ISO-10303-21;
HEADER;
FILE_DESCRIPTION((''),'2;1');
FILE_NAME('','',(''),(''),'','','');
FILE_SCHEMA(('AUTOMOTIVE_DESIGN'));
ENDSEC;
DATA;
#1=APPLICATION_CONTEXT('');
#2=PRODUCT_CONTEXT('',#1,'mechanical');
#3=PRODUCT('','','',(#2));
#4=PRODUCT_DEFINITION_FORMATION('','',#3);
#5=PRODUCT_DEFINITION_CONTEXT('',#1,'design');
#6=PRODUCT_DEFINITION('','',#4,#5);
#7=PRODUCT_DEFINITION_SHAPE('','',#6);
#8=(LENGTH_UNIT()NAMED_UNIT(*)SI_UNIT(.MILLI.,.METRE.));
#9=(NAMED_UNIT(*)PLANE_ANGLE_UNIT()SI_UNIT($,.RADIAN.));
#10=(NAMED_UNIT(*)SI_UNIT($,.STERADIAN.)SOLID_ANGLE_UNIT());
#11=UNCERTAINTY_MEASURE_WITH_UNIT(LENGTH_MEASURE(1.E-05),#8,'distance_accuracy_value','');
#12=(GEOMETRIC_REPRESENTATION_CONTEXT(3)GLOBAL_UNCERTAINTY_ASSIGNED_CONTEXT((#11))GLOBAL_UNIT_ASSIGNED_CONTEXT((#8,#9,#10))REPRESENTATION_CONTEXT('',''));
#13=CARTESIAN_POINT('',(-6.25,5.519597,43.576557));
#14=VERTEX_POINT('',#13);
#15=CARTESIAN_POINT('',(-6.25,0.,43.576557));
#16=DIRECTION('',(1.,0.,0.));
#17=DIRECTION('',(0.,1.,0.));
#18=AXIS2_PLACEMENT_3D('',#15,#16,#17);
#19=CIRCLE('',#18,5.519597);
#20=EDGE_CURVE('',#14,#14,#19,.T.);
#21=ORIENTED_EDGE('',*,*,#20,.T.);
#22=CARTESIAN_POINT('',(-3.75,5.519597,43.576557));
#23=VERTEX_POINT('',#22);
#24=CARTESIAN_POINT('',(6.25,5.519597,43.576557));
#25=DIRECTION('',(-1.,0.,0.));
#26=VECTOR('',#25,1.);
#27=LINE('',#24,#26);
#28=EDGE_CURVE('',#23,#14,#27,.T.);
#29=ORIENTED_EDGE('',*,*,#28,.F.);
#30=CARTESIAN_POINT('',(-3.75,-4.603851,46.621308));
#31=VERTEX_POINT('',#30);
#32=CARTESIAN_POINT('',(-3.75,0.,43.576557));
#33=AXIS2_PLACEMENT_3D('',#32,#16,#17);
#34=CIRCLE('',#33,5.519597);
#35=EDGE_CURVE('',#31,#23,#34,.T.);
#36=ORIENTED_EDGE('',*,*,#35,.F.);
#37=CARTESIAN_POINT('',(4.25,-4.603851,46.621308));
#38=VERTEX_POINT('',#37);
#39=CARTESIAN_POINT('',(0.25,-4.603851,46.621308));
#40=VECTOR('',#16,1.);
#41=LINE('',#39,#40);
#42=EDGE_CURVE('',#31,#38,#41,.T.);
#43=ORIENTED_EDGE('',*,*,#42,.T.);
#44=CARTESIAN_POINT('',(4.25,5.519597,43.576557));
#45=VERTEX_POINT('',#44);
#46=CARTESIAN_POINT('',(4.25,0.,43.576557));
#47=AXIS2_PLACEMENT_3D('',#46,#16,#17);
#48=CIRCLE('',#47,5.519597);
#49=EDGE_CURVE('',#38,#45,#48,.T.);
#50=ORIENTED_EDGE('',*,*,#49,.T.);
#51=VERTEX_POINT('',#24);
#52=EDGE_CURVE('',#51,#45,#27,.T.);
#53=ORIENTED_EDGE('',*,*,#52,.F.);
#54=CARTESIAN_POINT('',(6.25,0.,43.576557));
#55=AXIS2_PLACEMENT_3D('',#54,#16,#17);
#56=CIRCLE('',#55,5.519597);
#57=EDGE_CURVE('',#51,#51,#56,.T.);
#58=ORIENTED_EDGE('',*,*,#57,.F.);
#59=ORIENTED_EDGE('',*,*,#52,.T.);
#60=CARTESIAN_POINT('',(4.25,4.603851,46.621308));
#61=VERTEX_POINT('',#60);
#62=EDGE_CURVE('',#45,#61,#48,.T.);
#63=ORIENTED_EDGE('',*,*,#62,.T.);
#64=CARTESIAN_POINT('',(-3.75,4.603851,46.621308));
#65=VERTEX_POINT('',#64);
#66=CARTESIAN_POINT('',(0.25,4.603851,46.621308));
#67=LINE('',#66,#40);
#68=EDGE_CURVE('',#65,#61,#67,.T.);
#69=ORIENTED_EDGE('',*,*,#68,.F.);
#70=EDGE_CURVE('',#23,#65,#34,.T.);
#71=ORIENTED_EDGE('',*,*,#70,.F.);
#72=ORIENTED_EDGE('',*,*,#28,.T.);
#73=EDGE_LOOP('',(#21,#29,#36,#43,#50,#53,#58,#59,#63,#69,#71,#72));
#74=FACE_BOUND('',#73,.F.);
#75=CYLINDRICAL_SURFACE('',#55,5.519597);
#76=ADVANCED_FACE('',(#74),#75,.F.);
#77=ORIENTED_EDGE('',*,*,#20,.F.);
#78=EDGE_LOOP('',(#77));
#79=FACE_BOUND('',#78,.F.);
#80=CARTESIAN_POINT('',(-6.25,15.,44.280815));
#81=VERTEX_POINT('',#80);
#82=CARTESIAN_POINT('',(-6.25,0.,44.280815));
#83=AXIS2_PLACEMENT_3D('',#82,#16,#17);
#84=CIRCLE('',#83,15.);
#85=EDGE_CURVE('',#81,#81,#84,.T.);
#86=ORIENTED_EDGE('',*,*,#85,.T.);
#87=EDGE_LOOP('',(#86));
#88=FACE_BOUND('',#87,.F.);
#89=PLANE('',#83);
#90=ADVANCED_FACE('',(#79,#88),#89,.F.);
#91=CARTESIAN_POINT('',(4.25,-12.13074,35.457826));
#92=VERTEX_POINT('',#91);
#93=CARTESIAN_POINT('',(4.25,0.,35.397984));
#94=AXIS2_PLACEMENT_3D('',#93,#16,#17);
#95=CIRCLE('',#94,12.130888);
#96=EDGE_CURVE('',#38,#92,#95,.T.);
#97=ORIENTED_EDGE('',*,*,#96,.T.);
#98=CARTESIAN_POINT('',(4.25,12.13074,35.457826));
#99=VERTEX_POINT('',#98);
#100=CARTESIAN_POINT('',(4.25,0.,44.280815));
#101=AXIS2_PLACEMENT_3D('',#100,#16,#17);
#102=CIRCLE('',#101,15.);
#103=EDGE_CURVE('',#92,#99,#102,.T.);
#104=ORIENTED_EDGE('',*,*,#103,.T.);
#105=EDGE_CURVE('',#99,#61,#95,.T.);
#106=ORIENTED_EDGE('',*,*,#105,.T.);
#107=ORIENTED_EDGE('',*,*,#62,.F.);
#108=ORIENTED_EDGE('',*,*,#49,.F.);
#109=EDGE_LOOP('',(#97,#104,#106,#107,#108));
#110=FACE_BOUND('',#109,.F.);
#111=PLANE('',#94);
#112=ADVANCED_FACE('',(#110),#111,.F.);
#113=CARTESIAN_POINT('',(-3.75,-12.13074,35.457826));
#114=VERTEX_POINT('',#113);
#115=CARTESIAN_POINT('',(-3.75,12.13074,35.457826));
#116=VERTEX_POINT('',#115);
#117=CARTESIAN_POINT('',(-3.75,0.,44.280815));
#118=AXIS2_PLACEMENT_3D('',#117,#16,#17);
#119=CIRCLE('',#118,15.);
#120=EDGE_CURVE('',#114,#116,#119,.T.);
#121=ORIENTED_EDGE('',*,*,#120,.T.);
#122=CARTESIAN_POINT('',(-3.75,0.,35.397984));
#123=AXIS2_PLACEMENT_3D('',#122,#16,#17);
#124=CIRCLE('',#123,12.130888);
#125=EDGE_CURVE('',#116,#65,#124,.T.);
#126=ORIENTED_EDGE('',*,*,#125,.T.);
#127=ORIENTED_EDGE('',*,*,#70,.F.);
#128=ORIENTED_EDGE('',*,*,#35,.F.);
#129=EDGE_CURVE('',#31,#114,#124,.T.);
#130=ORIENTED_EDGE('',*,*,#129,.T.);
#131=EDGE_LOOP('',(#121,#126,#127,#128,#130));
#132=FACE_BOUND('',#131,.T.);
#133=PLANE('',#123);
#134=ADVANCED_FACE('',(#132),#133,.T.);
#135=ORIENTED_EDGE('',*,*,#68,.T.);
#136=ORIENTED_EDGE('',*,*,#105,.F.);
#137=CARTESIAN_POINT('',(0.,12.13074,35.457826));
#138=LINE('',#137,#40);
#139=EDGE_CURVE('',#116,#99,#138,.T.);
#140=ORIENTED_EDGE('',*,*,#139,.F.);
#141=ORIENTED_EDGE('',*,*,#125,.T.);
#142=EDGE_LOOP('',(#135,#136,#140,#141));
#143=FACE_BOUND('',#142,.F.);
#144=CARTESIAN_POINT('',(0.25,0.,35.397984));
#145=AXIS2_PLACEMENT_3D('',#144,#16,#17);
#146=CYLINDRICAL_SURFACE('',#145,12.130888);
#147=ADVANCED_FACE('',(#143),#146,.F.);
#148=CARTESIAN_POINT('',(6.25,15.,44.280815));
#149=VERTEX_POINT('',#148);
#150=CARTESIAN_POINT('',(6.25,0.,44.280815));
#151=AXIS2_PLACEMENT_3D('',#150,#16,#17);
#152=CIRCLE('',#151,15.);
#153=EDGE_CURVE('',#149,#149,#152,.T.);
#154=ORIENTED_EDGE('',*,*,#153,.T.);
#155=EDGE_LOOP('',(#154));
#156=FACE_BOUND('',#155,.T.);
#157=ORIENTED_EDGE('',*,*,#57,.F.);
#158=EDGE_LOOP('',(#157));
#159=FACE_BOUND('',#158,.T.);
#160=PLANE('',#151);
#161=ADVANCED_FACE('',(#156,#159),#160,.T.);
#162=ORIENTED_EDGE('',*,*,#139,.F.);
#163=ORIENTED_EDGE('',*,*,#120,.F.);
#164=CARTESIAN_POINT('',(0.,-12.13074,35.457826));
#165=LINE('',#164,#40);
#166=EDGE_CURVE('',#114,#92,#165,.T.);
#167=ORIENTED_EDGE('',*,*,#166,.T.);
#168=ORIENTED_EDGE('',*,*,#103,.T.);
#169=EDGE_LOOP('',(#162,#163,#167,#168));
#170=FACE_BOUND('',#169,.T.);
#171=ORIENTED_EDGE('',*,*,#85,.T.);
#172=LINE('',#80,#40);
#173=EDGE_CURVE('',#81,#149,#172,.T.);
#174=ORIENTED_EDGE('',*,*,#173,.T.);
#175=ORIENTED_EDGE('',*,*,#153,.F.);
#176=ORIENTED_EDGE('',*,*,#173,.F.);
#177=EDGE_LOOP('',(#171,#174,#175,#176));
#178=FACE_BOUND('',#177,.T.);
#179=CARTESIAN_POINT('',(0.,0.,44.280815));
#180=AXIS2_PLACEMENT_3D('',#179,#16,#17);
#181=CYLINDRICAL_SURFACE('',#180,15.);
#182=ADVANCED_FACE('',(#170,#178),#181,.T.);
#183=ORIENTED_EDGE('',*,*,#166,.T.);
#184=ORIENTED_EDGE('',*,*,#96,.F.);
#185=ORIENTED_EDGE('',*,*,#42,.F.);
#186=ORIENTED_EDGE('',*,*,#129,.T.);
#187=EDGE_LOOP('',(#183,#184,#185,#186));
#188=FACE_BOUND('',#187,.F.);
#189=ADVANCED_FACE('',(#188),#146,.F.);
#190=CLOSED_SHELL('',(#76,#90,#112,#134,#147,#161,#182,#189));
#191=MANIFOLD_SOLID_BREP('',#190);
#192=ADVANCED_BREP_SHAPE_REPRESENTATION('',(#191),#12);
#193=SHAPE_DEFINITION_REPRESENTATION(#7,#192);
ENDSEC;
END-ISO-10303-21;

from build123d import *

# Parameters (mm, degrees)
SKETCH005_R     = 15
PAD_DEPTH       = 6.25
SKETCH006_R     = 12.130888
POCKET002_DEPTH = 4
SKETCH008_R     = 5.519597
POCKET003_DEPTH = 13


with BuildPart() as part:
    # Sketch005 → Pad (new body, symmetric)
    with BuildSketch(Plane.YZ):
        with Locations((0, 44.280815)):
            Circle(SKETCH005_R)
    extrude(amount=PAD_DEPTH, both=True)

    # Sketch006 (on Face3 of Pad) → Pocket002 (cut, symmetric)
    with BuildSketch(Plane.YZ.offset(0.25)):
        with Locations((0, 35.397984)):
            Circle(SKETCH006_R)
    extrude(amount=POCKET002_DEPTH, both=True, mode=Mode.SUBTRACT)

    # Sketch008 (on Face3 of Pocket002) → Pocket003 (cut)
    with BuildSketch(Plane.YZ.offset(6.25)):
        with Locations((0, 43.576557)):
            Circle(SKETCH008_R)
    extrude(amount=-POCKET003_DEPTH, mode=Mode.SUBTRACT)


solid = part.part
